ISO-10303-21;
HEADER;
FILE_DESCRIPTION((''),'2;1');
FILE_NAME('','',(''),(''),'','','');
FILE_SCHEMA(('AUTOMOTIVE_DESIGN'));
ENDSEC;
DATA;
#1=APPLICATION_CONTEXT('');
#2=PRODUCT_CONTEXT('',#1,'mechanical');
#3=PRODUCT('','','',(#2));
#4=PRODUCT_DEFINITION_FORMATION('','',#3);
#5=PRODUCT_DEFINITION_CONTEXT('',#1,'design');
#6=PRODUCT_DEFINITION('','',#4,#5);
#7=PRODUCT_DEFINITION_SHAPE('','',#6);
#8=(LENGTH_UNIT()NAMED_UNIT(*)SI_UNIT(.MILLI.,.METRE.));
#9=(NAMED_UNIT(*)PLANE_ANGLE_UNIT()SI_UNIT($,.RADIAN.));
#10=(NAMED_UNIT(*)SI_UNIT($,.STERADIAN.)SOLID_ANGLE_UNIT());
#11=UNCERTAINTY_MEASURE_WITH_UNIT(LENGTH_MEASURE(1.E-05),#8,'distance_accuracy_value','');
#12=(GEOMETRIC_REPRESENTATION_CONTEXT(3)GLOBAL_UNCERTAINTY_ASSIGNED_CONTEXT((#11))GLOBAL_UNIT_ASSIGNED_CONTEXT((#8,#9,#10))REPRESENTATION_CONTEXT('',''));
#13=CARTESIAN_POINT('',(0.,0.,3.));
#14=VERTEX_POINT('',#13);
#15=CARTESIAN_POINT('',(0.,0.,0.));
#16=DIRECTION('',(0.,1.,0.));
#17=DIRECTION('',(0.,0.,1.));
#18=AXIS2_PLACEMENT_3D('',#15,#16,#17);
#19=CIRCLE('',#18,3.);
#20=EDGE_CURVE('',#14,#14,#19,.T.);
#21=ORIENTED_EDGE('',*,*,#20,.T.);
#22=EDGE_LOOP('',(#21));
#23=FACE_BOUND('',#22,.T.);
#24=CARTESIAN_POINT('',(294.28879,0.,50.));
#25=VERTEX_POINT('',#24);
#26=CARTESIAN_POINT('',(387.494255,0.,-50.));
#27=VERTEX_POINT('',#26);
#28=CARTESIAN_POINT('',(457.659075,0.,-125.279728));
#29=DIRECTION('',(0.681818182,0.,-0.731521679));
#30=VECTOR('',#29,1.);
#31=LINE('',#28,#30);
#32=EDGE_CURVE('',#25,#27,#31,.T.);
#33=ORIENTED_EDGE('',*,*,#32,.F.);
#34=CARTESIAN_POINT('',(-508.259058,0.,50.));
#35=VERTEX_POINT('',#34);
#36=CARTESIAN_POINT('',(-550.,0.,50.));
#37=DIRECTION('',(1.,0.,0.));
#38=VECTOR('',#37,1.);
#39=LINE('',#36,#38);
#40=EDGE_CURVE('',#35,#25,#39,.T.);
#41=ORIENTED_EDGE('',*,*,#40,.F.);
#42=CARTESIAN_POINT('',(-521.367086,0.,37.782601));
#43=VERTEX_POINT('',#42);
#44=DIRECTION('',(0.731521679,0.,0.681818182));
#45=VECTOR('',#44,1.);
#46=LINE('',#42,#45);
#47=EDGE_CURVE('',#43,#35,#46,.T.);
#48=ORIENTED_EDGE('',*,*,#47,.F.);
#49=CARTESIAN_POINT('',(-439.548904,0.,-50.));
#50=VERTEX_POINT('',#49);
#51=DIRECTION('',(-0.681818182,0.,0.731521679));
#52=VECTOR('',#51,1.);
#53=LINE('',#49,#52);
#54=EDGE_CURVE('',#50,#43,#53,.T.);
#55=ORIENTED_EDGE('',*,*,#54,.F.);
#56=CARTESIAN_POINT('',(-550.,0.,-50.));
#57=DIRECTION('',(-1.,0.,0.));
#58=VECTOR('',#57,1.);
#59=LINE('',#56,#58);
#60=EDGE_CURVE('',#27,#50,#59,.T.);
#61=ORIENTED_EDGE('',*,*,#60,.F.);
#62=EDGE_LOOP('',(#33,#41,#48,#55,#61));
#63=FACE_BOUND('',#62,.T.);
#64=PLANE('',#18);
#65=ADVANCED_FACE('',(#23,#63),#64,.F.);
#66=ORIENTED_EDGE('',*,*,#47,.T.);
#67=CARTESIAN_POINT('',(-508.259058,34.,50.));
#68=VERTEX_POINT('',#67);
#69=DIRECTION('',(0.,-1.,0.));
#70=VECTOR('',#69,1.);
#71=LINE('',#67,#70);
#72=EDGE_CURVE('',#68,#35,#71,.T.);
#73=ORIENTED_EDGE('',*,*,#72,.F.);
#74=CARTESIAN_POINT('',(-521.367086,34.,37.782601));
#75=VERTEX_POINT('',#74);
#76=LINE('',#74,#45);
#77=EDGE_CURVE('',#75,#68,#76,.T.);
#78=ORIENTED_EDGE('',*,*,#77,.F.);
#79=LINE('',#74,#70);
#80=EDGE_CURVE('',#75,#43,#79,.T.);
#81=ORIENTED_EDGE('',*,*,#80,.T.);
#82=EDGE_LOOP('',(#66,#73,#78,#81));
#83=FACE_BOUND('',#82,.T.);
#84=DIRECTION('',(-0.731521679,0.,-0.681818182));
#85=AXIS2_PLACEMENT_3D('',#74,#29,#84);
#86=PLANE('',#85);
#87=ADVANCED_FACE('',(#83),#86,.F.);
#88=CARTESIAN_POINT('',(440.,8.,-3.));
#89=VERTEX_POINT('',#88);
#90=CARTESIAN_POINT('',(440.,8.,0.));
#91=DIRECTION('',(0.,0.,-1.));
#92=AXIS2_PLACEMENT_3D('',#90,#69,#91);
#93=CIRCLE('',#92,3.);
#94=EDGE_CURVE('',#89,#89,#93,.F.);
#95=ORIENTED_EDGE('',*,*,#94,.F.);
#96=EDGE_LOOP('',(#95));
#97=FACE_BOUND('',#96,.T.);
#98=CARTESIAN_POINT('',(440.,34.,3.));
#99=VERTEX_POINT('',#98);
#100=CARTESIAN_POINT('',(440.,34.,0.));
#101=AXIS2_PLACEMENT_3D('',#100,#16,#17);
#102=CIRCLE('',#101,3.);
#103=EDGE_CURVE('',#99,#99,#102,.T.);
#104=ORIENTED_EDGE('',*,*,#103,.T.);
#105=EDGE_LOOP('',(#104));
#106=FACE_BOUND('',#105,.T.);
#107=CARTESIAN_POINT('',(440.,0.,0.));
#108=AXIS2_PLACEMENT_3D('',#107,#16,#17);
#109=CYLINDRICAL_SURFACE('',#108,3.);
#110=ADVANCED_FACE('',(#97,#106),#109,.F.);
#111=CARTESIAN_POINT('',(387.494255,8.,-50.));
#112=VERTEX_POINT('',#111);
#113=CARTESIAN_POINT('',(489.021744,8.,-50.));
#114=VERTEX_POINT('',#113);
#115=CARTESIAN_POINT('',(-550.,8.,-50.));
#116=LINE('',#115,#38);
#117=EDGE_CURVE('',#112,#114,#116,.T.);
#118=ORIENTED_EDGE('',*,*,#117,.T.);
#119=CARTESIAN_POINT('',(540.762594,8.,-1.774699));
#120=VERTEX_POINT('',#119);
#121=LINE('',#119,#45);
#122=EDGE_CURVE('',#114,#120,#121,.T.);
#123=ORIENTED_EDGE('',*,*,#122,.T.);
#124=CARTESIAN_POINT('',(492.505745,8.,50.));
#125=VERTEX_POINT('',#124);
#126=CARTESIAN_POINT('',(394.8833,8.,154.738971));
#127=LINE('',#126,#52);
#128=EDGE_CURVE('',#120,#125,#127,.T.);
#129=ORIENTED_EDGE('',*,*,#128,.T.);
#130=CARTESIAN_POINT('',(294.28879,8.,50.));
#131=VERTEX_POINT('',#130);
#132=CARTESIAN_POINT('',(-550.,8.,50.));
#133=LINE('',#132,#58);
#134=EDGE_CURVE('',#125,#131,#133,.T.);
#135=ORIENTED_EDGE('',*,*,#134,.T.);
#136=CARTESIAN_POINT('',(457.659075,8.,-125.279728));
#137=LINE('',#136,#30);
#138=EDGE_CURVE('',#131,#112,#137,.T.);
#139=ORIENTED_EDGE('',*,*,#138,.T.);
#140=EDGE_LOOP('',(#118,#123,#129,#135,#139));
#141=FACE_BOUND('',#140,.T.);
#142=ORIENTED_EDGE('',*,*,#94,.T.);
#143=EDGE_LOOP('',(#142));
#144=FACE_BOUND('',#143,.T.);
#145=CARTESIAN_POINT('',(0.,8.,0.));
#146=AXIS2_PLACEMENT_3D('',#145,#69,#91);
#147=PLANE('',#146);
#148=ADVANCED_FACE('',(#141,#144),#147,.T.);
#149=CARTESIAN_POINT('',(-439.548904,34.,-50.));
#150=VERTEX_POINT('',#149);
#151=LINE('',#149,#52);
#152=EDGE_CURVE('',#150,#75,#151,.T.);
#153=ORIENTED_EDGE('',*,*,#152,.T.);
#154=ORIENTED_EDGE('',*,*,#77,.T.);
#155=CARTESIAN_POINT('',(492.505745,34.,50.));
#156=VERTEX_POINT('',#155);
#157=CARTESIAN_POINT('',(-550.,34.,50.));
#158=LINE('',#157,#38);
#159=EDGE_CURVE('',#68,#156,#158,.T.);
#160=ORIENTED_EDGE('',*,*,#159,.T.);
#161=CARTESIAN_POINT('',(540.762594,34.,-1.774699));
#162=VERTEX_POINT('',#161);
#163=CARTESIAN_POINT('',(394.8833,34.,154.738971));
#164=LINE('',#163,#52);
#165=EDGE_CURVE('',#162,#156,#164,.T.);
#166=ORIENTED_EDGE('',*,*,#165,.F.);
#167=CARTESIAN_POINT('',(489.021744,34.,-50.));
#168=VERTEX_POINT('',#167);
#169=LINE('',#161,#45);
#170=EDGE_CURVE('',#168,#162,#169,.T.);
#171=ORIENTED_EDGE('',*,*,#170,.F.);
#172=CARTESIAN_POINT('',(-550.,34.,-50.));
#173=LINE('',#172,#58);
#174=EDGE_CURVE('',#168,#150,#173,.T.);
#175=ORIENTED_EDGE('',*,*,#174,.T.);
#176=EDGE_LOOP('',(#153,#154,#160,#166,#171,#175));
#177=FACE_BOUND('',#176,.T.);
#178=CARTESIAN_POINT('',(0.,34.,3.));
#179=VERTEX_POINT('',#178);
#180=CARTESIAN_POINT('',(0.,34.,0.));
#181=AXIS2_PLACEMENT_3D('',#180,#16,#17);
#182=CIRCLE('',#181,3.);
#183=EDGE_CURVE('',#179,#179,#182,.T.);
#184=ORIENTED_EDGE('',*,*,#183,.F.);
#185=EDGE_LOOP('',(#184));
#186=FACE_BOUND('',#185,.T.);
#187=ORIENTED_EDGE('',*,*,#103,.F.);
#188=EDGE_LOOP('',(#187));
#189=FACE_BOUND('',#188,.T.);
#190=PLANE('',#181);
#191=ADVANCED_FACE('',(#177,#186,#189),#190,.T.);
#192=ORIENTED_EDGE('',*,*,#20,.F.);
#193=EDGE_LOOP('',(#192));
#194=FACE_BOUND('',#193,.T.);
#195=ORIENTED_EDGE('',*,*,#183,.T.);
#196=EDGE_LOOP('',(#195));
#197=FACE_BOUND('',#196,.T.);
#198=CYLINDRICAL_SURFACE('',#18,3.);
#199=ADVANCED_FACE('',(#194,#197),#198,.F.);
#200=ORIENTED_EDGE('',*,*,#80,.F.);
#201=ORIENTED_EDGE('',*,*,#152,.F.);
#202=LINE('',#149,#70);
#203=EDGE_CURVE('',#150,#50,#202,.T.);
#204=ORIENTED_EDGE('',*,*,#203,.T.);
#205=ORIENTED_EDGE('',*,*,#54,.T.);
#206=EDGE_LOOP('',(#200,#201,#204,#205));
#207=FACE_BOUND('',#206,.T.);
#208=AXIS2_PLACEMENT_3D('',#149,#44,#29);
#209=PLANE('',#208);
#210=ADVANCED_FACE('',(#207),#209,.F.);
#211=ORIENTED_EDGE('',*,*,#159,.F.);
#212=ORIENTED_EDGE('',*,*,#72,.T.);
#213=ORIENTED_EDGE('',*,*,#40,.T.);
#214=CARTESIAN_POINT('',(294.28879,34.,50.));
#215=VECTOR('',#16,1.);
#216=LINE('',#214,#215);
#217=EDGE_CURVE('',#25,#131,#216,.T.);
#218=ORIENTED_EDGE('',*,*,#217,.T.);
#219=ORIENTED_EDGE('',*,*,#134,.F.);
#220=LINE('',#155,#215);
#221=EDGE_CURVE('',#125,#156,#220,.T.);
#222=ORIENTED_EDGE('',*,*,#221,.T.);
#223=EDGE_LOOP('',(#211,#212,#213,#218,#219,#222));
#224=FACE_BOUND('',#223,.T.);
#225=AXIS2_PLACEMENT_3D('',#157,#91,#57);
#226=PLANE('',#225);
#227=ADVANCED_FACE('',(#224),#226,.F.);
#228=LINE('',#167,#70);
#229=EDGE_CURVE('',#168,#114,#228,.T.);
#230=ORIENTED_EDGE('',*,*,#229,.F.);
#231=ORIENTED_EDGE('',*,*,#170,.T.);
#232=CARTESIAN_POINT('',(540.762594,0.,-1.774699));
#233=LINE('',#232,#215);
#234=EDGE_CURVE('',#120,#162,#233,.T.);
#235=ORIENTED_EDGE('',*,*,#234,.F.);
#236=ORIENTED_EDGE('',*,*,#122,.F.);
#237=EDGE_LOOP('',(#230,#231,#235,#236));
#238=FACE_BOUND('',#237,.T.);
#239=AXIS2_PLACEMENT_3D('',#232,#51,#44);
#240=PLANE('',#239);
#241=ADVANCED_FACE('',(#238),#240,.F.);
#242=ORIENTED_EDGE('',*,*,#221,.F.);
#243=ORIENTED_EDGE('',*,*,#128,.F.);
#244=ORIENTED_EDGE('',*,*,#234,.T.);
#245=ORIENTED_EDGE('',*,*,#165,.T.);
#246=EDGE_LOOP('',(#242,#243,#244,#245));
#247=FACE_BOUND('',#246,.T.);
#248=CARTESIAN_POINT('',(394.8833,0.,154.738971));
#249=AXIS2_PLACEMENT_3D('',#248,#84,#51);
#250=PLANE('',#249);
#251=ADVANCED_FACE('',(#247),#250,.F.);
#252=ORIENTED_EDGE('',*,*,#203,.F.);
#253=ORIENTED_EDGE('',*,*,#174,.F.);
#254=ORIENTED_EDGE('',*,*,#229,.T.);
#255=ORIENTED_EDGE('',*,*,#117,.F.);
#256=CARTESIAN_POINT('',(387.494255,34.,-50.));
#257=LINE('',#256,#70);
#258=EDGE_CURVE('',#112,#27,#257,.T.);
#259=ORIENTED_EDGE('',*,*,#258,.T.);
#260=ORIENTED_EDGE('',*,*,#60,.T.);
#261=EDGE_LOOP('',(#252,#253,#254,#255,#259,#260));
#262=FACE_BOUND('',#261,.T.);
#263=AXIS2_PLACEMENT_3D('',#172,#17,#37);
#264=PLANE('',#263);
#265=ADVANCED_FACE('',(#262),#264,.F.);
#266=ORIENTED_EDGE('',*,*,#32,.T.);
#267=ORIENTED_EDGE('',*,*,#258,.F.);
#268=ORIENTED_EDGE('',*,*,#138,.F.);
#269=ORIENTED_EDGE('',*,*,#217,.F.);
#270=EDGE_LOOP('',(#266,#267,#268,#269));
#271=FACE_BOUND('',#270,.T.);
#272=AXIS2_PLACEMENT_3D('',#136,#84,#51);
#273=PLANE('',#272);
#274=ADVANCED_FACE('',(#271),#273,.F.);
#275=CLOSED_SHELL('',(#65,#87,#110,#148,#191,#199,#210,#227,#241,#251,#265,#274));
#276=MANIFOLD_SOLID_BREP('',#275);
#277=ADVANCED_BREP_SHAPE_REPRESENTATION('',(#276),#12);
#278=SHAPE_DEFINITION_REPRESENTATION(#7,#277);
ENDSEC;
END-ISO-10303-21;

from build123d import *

# Parameters (mm, degrees)
SKETCH1_W           = 1100
SKETCH1_H           = 100
BOSS_EXTRUDE1_DEPTH = 34
SKETCH2_R           = 3
CUT_EXTRUDE1_DEPTH  = 554.313654269
LPATTERN1_COUNT     = 2
LPATTERN1_PITCH     = 440
CUT_EXTRUDE2_DEPTH  = 554.313654269
CUT_EXTRUDE3_DEPTH  = 554.313654269
CUT_EXTRUDE4_DEPTH  = 8


with BuildPart() as part:
    # Sketch1 → Boss-Extrude1 (new body)
    with BuildSketch(Plane(origin=(0, 0, 0), x_dir=(1, 0, 0), z_dir=(0, 1, 0))):
        Rectangle(SKETCH1_W, SKETCH1_H)
    extrude(amount=BOSS_EXTRUDE1_DEPTH)

    # Sketch2 → Cut-Extrude1 (cut, through all)
    with BuildSketch(Plane(origin=(0, 34, 0), x_dir=(1, 0, 0), z_dir=(0, 1, 0))):
        with Locations(Location((0, 0, 0), (0, 0, 270))):
            Circle(SKETCH2_R)
    cut_extrude1 = extrude(amount=-CUT_EXTRUDE1_DEPTH, mode=Mode.SUBTRACT)

    # LPattern1: Cut-Extrude1 ×2
    with Locations(*[(i * LPATTERN1_PITCH, 0, 0) for i in range(1, LPATTERN1_COUNT)]):
        add(cut_extrude1, mode=Mode.SUBTRACT)

    # Sketch3 → Cut-Extrude2 (cut, through all)
    with BuildSketch(Plane(origin=(0, 34, 0), x_dir=(1, 0, 0), z_dir=(0, 1, 0))):
        Polygon((540.762594459, 1.774699353), (414.907482272, 119.078541768), (523.885555732, 236.000949243), (780.808453445, 33.355832904), (490.286548009, -251.902570915), (394.883300151, -154.73897124), align=None)
    extrude(amount=-CUT_EXTRUDE2_DEPTH, mode=Mode.SUBTRACT)

    # Sketch4 → Cut-Extrude3 (cut, through all)
    with BuildSketch(Plane.XZ):
        Polygon((-439.548903775, -50), (-521.367085593, 37.782601488), (-461.555021583, 93.530713814), (-639.566149279, 284.518579051), (-887.964366722, 45.983956755), (-622.18599326, -220.227748335), align=None)
    extrude(amount=-CUT_EXTRUDE3_DEPTH, mode=Mode.SUBTRACT)

    # Sketch5 → Cut-Extrude4 (cut)
    with BuildSketch(Plane.XZ):
        Polygon((457.65907548, -125.279728267), (196.673608083, 154.731178471), (458.273207913, 338.877030437), (810.658904172, -71.072769519), align=None)
    extrude(amount=-CUT_EXTRUDE4_DEPTH, mode=Mode.SUBTRACT)


solid = part.part
